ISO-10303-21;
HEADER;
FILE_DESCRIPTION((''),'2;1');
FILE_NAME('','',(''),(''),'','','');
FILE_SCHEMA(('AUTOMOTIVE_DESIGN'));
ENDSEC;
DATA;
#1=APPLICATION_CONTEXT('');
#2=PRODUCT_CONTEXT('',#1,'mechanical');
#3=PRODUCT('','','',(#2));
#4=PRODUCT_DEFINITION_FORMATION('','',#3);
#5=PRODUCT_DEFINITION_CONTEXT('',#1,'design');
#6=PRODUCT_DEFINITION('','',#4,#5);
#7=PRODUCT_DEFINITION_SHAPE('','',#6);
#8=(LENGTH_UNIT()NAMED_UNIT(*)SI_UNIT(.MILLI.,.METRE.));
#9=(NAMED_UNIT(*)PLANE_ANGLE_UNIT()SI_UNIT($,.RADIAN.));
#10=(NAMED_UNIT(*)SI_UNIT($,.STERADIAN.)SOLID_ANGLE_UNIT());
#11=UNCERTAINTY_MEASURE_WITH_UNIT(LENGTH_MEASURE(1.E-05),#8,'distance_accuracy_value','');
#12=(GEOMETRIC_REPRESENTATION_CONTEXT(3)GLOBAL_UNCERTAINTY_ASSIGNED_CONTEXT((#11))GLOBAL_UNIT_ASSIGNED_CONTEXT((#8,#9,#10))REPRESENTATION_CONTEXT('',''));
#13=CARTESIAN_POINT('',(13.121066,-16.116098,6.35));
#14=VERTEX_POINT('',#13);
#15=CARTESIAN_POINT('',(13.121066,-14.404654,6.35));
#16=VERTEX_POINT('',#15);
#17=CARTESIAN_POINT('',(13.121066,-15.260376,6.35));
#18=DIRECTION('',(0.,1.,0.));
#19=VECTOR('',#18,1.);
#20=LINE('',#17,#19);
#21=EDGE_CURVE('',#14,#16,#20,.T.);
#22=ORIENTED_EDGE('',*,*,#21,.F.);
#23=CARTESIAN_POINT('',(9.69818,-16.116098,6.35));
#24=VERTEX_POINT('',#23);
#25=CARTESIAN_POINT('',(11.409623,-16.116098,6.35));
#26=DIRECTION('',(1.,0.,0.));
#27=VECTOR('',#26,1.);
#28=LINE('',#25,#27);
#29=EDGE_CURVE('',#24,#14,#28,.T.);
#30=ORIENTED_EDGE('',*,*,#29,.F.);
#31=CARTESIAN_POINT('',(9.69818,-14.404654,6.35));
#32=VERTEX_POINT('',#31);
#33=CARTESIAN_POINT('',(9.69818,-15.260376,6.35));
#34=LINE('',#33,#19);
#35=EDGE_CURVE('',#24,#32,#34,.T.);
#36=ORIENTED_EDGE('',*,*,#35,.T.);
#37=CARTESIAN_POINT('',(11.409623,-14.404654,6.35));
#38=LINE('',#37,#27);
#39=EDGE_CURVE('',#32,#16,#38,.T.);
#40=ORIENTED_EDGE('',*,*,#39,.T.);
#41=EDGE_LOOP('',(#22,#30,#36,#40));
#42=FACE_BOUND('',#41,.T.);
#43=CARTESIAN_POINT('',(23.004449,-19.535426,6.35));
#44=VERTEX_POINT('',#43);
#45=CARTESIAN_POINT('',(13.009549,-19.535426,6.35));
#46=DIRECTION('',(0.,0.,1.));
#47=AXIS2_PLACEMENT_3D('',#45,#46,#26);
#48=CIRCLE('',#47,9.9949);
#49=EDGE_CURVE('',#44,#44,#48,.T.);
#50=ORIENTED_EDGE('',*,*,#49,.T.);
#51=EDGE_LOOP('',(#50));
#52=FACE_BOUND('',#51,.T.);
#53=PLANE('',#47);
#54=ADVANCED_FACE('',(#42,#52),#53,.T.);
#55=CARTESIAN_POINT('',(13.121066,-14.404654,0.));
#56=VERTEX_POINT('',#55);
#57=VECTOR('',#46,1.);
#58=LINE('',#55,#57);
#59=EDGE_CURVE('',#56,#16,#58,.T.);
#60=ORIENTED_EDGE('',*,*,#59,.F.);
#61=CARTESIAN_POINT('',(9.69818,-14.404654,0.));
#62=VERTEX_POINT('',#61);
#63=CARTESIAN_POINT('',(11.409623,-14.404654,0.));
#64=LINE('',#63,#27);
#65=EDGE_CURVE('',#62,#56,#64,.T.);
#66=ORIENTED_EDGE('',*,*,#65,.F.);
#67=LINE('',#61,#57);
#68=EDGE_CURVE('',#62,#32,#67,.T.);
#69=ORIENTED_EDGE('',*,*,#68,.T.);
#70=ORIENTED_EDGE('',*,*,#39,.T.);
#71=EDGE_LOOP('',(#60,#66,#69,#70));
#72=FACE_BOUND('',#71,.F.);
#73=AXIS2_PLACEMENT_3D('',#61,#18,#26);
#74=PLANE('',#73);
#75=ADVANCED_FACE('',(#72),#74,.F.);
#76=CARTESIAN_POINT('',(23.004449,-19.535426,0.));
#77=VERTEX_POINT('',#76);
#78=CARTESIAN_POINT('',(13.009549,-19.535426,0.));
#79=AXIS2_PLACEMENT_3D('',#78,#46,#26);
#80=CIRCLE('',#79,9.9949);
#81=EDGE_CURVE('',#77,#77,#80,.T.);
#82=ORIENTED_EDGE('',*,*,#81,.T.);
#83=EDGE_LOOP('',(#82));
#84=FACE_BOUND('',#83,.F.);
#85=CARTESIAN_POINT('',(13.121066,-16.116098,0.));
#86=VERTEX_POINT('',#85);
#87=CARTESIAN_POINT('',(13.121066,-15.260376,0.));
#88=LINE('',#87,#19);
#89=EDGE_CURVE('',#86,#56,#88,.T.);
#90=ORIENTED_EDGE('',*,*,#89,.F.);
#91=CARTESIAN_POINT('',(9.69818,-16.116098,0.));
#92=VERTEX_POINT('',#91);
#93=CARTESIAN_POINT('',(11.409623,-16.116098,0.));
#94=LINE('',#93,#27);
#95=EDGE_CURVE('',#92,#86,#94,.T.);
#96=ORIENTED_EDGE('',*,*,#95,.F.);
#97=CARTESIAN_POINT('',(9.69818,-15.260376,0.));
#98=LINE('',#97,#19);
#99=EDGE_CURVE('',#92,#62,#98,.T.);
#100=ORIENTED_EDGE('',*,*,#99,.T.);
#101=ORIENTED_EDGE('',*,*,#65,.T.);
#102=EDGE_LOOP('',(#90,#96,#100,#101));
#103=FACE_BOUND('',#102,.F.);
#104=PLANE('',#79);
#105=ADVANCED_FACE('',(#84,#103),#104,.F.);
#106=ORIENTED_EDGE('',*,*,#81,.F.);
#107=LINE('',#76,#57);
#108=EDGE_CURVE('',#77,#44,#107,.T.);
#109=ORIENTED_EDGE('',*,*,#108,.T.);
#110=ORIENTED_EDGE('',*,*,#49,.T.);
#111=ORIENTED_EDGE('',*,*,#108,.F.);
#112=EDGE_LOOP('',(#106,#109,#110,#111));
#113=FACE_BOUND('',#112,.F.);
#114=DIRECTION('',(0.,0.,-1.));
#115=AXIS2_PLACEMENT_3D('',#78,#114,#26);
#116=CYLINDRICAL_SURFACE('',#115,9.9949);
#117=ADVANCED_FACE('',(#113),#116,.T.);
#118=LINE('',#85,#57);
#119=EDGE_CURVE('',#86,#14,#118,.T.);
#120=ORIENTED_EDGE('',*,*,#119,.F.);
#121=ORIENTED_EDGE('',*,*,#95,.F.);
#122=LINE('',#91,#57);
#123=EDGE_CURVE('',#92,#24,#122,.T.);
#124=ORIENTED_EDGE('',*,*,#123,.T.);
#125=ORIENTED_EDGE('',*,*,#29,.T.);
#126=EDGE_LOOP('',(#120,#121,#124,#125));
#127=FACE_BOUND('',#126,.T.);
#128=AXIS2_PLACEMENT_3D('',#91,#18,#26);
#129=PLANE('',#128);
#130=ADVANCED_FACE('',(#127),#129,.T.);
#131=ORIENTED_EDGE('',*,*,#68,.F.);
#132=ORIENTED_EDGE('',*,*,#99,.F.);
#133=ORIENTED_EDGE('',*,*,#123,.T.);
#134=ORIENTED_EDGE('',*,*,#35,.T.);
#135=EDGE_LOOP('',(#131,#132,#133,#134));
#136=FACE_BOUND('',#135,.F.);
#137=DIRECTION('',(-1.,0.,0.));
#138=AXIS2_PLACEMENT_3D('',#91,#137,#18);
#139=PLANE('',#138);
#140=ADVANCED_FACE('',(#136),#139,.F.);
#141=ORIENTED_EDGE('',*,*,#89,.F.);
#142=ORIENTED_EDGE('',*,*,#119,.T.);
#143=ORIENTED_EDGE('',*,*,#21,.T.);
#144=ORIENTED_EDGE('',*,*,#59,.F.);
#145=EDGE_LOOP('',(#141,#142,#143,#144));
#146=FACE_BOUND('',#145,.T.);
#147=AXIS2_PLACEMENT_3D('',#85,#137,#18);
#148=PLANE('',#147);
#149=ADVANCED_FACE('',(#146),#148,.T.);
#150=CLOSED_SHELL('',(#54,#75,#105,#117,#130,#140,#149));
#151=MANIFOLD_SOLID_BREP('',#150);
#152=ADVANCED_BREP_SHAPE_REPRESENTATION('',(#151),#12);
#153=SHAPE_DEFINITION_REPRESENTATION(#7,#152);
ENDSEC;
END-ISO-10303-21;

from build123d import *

# Parameters (mm, degrees)
F0_R     = 9.9949
F0_W     = 3.422887
F0_H     = 1.711445
F1_DEPTH = 6.35


with BuildPart() as f1:
    # F0 (on Top) → F1 (new body)
    with BuildSketch(Plane.XY):
        with Locations((13.009549, -19.535426)):
            Circle(F0_R)
        with Locations((11.409623, -15.260376)):
            Rectangle(F0_W, F0_H, mode=Mode.SUBTRACT)
    extrude(amount=F1_DEPTH)


solid = f1.part
